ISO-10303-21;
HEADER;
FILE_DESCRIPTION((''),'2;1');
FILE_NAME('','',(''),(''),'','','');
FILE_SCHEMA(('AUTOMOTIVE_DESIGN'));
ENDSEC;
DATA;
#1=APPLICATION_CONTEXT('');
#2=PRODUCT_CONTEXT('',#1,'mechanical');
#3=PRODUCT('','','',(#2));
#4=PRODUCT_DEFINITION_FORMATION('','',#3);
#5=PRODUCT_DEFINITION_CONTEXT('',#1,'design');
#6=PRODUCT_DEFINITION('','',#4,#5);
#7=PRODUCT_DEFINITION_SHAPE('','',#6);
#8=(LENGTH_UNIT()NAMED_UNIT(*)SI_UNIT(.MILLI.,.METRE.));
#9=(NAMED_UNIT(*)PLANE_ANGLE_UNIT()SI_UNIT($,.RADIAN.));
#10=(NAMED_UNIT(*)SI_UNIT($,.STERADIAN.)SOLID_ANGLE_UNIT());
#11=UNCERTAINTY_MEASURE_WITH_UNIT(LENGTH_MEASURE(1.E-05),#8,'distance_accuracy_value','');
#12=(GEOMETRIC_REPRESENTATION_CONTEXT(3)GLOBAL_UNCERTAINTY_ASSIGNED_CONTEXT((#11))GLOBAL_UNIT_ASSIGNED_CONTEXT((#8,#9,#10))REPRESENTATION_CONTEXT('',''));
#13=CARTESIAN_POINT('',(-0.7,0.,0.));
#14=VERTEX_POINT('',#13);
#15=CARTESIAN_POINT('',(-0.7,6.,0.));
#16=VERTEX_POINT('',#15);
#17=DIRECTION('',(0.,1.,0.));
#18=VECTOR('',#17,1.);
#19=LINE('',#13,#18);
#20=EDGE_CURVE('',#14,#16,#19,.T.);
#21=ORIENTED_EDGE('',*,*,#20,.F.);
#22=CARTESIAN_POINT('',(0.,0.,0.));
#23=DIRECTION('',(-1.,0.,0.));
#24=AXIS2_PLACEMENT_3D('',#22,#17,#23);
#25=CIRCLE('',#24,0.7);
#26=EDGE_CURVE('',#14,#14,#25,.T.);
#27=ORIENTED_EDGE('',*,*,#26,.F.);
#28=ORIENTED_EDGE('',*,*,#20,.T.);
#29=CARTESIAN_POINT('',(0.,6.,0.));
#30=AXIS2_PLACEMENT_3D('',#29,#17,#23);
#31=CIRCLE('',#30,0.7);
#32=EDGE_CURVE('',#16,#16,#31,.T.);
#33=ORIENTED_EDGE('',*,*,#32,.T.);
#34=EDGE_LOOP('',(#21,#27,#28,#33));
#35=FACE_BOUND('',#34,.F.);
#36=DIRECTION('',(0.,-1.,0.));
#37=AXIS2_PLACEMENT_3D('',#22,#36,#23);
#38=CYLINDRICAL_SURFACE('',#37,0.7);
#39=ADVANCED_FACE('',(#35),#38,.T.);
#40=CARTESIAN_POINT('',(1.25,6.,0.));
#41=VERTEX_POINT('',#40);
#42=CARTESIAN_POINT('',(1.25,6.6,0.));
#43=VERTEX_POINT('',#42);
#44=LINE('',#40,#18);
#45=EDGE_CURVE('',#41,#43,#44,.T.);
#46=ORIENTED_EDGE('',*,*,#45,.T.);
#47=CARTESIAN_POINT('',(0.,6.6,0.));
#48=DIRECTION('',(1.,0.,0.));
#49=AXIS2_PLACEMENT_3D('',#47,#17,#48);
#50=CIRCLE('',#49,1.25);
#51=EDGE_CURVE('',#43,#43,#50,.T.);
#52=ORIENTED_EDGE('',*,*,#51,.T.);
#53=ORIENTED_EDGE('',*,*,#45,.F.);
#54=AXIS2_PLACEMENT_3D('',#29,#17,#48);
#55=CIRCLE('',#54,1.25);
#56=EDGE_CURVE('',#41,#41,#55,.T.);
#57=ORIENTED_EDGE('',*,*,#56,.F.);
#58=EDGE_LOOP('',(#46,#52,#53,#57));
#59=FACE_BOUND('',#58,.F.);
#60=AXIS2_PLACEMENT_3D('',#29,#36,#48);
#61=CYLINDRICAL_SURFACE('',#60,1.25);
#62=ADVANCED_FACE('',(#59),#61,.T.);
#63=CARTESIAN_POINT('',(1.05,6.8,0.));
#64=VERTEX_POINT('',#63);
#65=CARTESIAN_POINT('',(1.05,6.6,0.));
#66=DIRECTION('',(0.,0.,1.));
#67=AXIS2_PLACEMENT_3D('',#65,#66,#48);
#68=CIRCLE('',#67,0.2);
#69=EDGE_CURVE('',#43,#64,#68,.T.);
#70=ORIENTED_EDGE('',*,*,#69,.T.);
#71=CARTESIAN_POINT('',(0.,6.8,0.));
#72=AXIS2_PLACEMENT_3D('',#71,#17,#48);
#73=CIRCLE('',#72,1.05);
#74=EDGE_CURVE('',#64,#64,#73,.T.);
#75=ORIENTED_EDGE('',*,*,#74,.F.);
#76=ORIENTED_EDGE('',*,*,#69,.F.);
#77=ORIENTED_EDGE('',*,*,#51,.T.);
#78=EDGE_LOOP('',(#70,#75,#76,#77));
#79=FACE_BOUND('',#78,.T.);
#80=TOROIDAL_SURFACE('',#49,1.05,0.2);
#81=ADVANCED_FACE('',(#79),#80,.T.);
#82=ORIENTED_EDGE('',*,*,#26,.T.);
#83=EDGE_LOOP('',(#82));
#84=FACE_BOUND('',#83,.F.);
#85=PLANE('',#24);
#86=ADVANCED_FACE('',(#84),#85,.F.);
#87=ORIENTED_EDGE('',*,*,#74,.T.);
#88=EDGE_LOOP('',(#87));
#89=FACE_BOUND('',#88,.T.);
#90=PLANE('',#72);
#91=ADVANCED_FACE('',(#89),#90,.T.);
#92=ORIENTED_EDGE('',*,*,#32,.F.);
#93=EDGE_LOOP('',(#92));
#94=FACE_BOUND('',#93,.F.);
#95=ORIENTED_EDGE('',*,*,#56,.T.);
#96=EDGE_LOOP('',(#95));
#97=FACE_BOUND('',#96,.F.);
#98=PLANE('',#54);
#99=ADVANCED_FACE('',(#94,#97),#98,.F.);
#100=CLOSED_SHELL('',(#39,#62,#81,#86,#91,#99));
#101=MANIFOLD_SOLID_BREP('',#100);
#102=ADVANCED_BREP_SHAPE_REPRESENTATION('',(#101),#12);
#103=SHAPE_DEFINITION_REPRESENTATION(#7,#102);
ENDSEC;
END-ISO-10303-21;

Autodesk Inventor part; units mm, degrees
ref_plane "YZ Plane" through (0, 0, 0) normal (1, 0, 0) x (0, 1, 0)
ref_plane "XZ Plane" through (0, 0, 0) normal (0, 1, 0) x (-1, 0, 0)
ref_plane "XY Plane" through (0, 0, 0) normal (0, 0, 1) x (1, 0, 0)
sketch "Sketch1" plane through (0, 0, 0) normal (0, 1, 0) x (-1, 0, 0)
  circle A0 centre (0, 0) radius 0.7
  dimension "d0" = 1.4
extrude "Extrusion1" add sketch "Sketch1" along normal blind 6
thread "Thread1" size "M1.4x0.3" class "6g" standard "ANSI Metric M Profile" length 8
sketch "Sketch2" plane through (0, 6, 0) normal (0, 1, 0) x (1, 0, 0)
  circle A0 centre (0, 0) radius 1.25
  dimension "d5" = 2.5
extrude "Extrusion2" add sketch "Sketch2" along normal blind 0.8
fillet "Fillet1" radius 0.2 1 edges at (-1.25, 6.8, 0)
properties part number "m1_4_6mm_screw"
